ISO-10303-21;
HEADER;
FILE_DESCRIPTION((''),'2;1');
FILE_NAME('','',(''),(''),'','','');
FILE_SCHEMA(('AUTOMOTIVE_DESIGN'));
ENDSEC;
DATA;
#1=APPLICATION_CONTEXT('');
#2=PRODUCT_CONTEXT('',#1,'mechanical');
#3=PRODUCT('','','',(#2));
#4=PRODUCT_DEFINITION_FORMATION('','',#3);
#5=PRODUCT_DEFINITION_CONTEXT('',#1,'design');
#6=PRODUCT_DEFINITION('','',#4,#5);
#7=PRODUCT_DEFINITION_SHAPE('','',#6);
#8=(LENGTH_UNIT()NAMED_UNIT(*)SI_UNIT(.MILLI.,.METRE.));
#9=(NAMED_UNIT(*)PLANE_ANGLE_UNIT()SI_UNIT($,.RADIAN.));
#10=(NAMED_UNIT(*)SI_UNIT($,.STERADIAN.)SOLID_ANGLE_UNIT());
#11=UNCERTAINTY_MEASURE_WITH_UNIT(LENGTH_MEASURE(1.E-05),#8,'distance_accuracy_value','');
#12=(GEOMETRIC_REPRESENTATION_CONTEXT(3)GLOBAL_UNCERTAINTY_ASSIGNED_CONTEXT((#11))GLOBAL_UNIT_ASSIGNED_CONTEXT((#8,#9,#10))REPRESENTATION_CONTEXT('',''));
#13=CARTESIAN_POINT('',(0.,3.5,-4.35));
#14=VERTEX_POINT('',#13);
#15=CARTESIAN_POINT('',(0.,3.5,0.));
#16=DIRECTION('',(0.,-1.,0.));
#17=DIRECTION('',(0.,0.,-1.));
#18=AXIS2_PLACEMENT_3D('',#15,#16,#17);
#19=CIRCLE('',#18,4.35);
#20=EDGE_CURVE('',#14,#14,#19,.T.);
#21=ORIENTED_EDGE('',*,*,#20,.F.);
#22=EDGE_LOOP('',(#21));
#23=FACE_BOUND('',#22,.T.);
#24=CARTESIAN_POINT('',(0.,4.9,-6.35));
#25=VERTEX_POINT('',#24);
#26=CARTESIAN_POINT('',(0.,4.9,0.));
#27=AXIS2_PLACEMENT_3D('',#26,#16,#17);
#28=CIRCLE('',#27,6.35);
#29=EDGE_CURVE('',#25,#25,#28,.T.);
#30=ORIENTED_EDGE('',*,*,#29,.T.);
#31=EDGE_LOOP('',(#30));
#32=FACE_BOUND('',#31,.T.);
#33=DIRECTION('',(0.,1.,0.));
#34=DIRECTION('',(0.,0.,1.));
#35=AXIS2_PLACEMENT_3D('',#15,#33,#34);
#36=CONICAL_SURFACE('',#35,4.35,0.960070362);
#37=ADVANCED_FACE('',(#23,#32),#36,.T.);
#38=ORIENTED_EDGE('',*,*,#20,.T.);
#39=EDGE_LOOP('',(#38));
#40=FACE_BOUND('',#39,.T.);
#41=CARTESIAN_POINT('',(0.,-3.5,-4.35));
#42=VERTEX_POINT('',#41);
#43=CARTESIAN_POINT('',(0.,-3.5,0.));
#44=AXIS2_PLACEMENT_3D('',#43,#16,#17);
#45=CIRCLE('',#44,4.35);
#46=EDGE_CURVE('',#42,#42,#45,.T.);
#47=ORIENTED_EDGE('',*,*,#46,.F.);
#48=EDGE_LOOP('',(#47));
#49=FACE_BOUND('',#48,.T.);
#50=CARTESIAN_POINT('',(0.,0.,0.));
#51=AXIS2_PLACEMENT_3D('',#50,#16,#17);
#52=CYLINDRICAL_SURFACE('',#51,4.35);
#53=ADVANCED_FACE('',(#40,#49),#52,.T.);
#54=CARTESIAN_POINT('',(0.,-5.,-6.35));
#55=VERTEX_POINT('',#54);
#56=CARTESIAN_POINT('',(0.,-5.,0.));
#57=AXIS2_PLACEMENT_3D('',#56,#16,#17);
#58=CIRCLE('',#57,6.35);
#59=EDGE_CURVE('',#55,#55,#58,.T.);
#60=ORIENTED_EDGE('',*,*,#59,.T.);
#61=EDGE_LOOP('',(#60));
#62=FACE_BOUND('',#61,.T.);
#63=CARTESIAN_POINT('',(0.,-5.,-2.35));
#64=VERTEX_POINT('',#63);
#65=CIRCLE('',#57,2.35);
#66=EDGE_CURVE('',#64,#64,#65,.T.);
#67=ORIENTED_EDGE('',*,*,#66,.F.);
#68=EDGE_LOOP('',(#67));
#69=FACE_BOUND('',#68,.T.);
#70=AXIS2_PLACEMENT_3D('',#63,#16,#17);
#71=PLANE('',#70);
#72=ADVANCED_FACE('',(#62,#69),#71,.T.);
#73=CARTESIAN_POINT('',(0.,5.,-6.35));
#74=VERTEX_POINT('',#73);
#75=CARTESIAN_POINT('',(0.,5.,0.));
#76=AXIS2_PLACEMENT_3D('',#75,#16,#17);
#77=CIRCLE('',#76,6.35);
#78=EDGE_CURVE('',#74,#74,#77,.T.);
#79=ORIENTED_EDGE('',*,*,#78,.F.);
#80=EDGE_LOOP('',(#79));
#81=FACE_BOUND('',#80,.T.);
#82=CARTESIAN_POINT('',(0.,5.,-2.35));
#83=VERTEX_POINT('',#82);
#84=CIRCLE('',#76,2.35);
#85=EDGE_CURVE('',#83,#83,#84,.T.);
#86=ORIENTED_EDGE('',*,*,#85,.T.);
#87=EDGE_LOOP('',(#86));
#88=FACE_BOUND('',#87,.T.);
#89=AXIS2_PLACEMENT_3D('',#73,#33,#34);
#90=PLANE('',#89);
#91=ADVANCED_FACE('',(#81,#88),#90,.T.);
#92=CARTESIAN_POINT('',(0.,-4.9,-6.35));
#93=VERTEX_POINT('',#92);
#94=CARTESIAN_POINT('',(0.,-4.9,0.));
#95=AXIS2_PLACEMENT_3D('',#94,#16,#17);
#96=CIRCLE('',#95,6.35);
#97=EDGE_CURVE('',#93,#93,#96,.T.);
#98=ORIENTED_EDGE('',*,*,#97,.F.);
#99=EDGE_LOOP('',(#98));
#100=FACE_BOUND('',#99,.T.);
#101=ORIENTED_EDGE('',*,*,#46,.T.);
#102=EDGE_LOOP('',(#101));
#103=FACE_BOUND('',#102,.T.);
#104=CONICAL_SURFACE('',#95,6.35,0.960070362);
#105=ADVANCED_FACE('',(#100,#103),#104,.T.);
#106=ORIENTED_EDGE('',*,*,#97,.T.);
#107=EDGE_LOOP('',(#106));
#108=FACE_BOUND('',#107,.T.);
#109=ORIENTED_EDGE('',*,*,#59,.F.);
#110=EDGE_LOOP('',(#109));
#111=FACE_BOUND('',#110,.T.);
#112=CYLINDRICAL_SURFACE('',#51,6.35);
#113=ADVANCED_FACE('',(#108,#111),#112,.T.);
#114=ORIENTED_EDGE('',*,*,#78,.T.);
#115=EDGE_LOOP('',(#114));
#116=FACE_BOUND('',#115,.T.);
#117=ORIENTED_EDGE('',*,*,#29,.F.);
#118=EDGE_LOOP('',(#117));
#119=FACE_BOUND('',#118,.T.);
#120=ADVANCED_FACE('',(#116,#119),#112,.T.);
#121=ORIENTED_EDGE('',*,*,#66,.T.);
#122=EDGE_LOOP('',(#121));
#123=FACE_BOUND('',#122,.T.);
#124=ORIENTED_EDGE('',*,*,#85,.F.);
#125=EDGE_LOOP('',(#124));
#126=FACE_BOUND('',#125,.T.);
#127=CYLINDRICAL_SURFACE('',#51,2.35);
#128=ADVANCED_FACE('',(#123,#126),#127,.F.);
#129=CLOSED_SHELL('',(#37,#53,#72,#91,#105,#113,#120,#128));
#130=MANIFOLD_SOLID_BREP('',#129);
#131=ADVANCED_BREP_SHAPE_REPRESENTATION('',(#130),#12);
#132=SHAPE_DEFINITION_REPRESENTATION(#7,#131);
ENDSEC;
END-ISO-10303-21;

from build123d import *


with BuildPart() as part:
    # Sketch1 → Revolve1 (revolve)
    with BuildSketch(Plane(origin=(0, 0, 0), x_dir=(0, 0, -1), z_dir=(1, 0, 0))):
        Polygon((2.35, 5), (2.35, -5), (6.35, -5), (6.35, -4.9), (4.35, -3.5), (4.35, 3.5), (6.35, 4.9), (6.35, 5), align=None)
    revolve(axis=Axis((0, 0, 0), (0, 1, 0)))


solid = part.part
